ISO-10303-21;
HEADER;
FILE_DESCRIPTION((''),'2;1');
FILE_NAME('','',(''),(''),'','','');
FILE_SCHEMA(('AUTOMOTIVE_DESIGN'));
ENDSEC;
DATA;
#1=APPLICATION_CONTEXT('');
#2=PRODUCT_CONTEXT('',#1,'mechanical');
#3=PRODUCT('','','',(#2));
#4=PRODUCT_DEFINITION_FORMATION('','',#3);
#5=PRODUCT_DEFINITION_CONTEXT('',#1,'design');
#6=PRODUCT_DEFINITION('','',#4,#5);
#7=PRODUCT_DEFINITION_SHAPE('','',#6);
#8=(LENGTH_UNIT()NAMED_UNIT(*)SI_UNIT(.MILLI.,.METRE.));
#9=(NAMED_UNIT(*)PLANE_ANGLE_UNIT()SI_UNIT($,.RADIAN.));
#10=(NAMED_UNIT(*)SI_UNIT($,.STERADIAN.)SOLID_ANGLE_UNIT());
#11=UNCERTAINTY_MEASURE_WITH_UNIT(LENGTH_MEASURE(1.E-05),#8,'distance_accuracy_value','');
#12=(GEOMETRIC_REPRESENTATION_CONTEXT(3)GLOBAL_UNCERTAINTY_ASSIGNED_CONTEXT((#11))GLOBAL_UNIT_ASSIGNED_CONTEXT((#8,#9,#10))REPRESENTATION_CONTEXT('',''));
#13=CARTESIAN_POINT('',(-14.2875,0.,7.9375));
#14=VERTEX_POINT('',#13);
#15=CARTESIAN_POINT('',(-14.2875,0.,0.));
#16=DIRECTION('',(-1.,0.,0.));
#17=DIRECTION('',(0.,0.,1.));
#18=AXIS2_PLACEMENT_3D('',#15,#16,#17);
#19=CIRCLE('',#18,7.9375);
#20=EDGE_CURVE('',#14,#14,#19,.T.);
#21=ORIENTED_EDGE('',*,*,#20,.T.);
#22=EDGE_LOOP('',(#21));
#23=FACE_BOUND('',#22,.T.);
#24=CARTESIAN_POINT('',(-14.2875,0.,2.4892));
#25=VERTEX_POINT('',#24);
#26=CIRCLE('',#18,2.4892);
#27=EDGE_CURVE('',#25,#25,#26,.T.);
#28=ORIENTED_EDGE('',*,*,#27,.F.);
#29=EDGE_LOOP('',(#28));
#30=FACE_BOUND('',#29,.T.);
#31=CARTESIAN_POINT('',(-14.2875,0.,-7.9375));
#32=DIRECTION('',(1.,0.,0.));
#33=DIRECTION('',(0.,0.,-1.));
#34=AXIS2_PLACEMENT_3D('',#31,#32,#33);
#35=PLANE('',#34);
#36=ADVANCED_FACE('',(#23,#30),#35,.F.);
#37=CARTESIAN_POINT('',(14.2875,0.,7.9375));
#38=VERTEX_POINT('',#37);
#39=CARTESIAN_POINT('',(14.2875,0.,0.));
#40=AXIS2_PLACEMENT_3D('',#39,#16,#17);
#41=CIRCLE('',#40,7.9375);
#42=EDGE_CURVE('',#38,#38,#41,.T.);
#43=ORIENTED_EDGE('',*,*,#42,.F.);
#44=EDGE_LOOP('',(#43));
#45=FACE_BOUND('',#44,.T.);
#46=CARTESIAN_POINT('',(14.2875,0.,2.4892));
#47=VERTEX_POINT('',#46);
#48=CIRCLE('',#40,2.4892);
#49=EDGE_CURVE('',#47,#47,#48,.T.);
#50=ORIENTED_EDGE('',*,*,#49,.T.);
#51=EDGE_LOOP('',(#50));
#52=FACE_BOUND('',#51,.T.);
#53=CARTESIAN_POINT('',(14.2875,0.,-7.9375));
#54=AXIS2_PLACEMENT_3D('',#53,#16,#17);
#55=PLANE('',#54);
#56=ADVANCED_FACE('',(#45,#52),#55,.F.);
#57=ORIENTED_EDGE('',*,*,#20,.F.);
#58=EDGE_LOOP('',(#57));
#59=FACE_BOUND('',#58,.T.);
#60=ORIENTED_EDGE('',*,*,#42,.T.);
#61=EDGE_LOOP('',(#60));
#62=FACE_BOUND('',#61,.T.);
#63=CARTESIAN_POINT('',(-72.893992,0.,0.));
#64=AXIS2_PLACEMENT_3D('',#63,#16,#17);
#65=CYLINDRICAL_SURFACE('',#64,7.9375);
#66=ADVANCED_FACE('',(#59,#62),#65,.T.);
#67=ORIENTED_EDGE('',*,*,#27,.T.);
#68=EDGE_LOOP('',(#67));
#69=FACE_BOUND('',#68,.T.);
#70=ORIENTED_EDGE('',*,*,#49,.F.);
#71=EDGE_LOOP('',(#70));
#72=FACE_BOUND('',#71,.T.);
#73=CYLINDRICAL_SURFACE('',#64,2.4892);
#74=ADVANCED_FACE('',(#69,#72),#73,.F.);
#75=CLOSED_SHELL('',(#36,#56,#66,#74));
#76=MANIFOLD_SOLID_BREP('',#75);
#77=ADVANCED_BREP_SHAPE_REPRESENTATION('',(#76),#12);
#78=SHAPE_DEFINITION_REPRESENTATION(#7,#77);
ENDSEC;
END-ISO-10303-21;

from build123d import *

# Parameters (mm, degrees)
SKETCH1_W = 28.575
SKETCH1_H = 5.4483


with BuildPart() as part:
    # Sketch1 → Revolve1 (revolve)
    with BuildSketch(Plane(origin=(0, 0, 0), x_dir=(1, 0, 0), z_dir=(0, 1, 0)), mode=Mode.PRIVATE) as revolve1_sk:
        with Locations((0, 5.21335)):
            Rectangle(SKETCH1_W, SKETCH1_H)
    revolve(revolve1_sk.sketch.rotate(Axis((-72.893991897, 0, 0), (1, 0, 0)), 180), axis=Axis((-72.893991897, 0, 0), (1, 0, 0)))


solid = part.part
